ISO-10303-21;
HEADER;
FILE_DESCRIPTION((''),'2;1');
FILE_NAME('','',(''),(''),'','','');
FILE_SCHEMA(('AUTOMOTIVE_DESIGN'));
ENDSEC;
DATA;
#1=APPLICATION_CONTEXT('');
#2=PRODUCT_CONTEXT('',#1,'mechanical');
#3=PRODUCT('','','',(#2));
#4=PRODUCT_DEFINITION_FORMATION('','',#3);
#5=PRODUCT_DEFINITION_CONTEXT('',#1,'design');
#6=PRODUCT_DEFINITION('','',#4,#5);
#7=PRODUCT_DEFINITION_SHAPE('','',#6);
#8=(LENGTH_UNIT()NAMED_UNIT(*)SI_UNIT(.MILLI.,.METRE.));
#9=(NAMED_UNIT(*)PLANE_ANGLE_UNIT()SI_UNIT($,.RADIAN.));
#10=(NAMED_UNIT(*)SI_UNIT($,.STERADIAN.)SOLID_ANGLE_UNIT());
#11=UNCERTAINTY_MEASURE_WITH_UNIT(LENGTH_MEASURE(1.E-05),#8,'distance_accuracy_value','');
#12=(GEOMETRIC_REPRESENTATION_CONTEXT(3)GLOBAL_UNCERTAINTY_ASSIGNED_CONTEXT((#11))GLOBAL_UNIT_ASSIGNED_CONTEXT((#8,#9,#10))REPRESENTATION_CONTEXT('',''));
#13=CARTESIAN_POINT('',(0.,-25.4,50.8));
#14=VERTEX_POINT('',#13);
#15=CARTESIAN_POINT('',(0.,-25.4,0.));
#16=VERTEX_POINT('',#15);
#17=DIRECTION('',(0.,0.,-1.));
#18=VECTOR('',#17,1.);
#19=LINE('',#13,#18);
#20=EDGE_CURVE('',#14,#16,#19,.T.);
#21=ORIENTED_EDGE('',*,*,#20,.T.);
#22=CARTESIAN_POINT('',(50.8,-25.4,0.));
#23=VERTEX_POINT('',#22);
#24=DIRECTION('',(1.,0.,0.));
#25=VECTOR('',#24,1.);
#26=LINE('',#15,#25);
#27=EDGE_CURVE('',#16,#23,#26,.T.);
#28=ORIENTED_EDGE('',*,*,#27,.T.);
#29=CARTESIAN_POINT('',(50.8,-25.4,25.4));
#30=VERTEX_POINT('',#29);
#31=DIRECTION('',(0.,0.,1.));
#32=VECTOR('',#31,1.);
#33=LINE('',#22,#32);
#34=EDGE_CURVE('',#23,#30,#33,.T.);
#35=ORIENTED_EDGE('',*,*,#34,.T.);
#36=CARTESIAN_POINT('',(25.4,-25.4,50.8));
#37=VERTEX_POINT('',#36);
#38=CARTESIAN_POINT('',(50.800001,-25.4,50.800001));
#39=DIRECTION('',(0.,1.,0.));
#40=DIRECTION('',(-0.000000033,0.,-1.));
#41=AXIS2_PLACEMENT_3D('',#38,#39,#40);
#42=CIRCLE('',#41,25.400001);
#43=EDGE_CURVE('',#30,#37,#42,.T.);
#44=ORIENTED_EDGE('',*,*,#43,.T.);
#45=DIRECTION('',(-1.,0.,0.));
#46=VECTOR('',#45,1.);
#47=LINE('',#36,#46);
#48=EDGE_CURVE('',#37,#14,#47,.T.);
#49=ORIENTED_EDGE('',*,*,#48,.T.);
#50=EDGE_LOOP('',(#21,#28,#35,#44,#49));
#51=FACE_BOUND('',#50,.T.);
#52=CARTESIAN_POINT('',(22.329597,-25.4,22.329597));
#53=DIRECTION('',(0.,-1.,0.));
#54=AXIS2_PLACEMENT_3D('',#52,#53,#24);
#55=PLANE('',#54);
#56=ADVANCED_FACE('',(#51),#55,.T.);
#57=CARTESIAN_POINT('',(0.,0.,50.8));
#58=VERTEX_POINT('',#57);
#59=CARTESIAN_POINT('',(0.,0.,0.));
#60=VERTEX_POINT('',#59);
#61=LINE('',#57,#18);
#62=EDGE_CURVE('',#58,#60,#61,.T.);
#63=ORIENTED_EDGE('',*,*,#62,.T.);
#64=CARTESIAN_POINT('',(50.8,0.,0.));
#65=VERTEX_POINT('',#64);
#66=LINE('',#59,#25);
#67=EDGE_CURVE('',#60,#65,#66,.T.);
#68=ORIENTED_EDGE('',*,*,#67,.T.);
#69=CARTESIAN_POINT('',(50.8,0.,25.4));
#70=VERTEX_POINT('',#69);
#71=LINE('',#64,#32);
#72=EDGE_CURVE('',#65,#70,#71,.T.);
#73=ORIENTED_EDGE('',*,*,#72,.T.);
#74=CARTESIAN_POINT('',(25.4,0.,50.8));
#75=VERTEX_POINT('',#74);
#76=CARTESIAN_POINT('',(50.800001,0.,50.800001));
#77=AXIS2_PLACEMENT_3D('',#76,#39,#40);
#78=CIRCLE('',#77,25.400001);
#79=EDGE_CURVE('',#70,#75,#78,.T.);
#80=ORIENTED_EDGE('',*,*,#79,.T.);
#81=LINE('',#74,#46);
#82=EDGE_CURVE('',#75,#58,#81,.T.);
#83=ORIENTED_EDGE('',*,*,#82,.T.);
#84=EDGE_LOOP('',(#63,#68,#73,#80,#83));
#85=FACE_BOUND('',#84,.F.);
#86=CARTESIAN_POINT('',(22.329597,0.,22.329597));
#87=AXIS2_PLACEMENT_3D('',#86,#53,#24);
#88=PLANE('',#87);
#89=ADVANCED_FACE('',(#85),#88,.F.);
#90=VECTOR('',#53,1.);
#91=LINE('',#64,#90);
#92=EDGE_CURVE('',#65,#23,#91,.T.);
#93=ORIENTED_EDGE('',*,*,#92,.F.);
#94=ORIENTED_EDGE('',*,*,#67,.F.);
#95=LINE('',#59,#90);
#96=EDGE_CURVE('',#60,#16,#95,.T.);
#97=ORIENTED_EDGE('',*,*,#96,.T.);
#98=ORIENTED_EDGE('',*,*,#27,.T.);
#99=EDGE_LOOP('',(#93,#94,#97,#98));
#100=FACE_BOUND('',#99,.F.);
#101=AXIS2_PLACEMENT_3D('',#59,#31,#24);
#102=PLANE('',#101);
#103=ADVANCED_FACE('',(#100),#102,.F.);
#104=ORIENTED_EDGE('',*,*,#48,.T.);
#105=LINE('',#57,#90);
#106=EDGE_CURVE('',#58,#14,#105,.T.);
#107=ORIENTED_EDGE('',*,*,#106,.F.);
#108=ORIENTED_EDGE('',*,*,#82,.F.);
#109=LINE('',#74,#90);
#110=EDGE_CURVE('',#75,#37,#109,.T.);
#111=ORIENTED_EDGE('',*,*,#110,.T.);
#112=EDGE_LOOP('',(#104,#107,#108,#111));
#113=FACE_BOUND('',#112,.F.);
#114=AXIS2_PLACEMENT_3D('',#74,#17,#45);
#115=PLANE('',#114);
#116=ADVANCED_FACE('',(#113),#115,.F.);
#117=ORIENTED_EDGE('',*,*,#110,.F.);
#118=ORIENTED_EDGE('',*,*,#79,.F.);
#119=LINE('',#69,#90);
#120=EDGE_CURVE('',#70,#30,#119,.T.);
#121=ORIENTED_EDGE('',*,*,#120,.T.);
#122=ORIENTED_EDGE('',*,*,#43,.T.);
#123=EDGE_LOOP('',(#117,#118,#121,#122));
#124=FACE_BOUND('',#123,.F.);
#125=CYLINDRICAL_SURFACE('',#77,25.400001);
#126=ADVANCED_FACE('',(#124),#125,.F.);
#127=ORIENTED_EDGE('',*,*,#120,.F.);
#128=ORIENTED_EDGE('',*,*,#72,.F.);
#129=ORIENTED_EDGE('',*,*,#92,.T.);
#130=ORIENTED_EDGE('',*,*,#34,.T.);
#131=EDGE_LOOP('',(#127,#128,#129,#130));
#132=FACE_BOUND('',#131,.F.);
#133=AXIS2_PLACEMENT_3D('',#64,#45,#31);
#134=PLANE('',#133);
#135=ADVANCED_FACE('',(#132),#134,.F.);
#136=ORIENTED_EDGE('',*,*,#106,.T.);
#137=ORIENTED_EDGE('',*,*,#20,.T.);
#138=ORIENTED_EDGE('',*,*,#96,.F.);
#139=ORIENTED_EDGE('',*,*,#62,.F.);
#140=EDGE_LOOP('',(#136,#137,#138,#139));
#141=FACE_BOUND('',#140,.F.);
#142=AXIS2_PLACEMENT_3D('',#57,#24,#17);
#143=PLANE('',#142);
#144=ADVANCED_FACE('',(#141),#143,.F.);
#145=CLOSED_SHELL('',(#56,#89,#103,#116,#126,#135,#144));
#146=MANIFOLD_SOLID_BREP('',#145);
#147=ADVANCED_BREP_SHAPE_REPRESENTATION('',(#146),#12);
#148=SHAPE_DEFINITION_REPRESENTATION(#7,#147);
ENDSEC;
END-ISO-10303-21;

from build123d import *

# Parameters (mm, degrees)
F1_DEPTH = 25.4


with BuildPart() as f1:
    # F0 (on Front) → F1 (new body)
    with BuildSketch(Plane.XZ):
        with BuildLine():
            Line((25.4, 50.8), (0, 50.8))
            Line((0, 50.8), (0, 0))
            Line((0, 0), (50.8, 0))
            Line((50.8, 0), (50.8, 25.4))
            ThreePointArc((50.8, 25.4), (32.839488, 32.839488), (25.4, 50.8))
        make_face()
    extrude(amount=F1_DEPTH)


solid = f1.part
